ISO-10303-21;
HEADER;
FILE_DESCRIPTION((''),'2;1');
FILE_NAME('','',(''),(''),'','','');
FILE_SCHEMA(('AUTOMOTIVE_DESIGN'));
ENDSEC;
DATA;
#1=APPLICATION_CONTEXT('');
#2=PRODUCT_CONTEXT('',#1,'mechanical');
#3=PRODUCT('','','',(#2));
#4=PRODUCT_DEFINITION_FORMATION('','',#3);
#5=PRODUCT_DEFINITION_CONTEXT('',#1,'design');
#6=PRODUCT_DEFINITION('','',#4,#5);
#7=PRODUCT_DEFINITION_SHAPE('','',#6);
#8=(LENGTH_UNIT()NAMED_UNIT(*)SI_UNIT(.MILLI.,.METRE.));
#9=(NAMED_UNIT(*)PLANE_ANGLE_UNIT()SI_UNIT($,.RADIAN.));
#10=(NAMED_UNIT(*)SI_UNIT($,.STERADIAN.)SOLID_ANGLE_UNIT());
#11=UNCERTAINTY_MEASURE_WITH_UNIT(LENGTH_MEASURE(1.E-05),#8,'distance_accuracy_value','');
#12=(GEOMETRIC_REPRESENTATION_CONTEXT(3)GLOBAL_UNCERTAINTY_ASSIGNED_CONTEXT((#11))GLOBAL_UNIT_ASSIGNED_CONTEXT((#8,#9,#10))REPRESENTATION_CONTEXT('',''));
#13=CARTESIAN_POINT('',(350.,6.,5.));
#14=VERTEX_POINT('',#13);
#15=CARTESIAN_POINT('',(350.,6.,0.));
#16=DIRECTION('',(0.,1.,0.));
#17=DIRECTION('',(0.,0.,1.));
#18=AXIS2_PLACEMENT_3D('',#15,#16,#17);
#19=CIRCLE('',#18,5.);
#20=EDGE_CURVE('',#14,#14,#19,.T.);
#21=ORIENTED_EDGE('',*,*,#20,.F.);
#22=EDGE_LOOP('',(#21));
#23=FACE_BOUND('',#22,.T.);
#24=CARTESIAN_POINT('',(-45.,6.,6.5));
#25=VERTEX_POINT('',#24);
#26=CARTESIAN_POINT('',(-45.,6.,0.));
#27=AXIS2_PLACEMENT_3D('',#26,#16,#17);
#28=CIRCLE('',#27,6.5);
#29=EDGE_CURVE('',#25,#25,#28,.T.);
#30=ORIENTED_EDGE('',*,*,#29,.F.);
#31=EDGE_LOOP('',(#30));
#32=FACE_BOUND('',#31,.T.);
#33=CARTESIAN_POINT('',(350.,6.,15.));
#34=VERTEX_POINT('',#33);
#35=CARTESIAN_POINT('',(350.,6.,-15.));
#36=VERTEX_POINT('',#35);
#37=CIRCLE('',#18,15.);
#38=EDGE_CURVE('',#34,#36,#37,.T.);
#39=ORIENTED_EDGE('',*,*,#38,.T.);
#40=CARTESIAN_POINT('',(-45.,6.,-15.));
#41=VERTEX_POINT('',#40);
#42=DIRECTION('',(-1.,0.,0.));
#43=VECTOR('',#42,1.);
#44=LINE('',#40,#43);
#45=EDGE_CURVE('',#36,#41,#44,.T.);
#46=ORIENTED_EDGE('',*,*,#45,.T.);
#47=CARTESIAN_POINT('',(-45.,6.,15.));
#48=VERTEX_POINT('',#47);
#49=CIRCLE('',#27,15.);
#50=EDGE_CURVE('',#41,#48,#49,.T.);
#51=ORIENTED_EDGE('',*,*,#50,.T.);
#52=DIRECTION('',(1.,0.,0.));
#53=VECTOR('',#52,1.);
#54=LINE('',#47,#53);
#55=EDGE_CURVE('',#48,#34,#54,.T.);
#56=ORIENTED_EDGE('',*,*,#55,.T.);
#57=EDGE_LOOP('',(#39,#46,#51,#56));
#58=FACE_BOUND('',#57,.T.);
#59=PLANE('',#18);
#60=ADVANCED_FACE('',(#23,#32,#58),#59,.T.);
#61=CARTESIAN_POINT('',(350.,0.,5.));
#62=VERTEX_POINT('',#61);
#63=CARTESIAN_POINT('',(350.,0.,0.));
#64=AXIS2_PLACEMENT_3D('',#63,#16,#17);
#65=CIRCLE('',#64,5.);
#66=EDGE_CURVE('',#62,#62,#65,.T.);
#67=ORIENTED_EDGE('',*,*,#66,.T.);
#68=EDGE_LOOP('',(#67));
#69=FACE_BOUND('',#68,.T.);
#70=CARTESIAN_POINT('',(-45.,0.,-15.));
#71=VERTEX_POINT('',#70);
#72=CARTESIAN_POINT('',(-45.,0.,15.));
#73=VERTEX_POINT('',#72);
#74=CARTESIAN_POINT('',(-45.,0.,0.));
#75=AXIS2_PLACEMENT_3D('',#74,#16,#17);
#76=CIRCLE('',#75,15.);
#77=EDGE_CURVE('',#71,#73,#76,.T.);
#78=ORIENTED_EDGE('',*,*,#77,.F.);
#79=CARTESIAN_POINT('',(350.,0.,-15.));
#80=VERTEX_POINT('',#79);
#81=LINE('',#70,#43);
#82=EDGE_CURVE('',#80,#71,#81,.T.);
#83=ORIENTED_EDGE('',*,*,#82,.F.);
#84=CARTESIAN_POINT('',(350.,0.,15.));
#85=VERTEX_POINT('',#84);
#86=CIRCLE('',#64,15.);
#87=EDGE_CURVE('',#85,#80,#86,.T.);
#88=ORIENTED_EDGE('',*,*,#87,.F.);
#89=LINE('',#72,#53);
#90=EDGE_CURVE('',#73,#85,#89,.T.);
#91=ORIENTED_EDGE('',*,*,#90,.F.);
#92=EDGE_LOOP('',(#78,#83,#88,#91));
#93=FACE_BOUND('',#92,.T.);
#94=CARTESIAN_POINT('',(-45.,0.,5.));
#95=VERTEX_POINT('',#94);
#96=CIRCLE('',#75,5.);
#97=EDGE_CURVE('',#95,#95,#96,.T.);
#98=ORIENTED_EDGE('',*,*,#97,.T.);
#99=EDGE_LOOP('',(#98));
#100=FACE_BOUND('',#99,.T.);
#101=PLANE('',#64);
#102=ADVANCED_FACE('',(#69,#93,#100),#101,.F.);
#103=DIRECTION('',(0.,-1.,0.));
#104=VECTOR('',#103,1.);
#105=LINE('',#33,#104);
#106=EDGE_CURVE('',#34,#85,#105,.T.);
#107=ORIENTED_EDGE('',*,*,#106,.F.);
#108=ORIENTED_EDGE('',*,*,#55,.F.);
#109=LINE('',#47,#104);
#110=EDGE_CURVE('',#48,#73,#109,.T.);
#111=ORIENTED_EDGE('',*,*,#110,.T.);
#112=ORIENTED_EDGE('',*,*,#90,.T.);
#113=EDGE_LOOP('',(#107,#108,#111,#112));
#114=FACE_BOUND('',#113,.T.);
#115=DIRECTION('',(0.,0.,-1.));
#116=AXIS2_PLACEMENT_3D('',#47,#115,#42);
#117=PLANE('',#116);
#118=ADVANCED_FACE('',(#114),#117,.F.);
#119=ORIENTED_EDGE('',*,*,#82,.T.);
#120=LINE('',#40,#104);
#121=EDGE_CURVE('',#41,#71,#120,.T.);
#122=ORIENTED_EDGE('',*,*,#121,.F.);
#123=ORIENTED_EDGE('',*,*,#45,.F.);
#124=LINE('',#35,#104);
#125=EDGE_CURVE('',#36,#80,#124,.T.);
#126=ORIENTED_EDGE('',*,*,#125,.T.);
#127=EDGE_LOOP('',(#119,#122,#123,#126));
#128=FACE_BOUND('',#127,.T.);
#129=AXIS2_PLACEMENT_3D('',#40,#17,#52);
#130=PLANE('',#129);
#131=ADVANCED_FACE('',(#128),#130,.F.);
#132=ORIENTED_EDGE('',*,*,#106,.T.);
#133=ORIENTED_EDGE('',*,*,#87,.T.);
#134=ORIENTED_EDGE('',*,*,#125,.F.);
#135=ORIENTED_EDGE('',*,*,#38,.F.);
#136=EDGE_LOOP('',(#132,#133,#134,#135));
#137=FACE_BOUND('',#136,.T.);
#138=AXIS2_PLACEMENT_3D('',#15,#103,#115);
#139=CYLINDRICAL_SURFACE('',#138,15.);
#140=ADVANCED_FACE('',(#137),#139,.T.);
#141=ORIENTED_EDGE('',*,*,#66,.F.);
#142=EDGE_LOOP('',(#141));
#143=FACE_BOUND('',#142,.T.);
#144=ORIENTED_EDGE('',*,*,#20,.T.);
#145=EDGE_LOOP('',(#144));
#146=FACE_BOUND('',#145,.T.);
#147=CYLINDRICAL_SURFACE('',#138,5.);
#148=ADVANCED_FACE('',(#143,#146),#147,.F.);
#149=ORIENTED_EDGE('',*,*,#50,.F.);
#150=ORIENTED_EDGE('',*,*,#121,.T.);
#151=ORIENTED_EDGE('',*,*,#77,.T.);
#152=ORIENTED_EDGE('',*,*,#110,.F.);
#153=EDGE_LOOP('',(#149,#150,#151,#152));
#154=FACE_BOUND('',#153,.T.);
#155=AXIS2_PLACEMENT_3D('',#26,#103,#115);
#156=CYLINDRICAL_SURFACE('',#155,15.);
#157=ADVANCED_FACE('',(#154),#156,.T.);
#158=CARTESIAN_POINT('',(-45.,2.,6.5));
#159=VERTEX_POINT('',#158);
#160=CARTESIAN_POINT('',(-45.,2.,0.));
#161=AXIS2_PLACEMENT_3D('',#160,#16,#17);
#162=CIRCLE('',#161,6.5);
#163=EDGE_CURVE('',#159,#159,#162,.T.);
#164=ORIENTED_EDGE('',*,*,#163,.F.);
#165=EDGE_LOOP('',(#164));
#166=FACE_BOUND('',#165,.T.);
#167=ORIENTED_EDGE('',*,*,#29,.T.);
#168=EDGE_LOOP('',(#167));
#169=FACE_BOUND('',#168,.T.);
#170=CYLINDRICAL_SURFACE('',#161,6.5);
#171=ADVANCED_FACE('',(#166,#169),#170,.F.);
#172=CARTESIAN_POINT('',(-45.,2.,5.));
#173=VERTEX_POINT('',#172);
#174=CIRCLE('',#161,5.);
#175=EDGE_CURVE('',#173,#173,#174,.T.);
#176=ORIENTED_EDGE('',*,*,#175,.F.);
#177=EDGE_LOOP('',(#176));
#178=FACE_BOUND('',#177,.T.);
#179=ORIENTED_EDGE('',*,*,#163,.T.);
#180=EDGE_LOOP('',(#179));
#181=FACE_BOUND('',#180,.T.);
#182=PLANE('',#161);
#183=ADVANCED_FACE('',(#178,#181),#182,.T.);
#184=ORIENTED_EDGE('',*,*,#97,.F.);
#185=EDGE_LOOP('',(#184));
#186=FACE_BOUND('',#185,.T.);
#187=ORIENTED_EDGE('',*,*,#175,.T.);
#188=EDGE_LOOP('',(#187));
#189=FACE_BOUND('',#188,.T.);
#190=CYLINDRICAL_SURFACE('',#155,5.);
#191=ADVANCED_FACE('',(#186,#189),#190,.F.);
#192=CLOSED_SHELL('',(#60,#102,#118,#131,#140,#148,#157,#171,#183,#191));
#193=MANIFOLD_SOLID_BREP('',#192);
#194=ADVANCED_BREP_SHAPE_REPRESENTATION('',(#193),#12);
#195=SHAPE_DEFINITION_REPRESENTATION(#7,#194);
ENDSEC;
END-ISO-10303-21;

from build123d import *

# Parameters (mm, degrees)
SKETCH2_R           = 5
BOSS_EXTRUDE1_DEPTH = 6
SKETCH4_R           = 6.5
CUT_EXTRUDE2_DEPTH  = 4


with BuildPart() as part:
    # Sketch2 → Boss-Extrude1 (new body)
    with BuildSketch(Plane(origin=(0, 0, 0), x_dir=(1, 0, 0), z_dir=(0, 1, 0))):
        with BuildLine():
            Line((-45, 15), (350, 15))
            ThreePointArc((350, 15), (365, 0), (350, -15))
            Line((350, -15), (-45, -15))
            ThreePointArc((-45, -15), (-60, 0), (-45, 15))
        make_face()
        with Locations(Location((-45, 0, 0), (0, 0, 270))):
            Circle(SKETCH2_R, mode=Mode.SUBTRACT)
        with Locations(Location((350, 0, 0), (0, 0, 270))):
            Circle(SKETCH2_R, mode=Mode.SUBTRACT)
    extrude(amount=BOSS_EXTRUDE1_DEPTH)

    # Sketch4 → Cut-Extrude2 (cut)
    with BuildSketch(Plane(origin=(0, 6, 0), x_dir=(1, 0, 0), z_dir=(0, 1, 0))):
        with Locations(Location((-45, 0, 0), (0, 0, 270))):
            Circle(SKETCH4_R)
    extrude(amount=-CUT_EXTRUDE2_DEPTH, mode=Mode.SUBTRACT)


solid = part.part
